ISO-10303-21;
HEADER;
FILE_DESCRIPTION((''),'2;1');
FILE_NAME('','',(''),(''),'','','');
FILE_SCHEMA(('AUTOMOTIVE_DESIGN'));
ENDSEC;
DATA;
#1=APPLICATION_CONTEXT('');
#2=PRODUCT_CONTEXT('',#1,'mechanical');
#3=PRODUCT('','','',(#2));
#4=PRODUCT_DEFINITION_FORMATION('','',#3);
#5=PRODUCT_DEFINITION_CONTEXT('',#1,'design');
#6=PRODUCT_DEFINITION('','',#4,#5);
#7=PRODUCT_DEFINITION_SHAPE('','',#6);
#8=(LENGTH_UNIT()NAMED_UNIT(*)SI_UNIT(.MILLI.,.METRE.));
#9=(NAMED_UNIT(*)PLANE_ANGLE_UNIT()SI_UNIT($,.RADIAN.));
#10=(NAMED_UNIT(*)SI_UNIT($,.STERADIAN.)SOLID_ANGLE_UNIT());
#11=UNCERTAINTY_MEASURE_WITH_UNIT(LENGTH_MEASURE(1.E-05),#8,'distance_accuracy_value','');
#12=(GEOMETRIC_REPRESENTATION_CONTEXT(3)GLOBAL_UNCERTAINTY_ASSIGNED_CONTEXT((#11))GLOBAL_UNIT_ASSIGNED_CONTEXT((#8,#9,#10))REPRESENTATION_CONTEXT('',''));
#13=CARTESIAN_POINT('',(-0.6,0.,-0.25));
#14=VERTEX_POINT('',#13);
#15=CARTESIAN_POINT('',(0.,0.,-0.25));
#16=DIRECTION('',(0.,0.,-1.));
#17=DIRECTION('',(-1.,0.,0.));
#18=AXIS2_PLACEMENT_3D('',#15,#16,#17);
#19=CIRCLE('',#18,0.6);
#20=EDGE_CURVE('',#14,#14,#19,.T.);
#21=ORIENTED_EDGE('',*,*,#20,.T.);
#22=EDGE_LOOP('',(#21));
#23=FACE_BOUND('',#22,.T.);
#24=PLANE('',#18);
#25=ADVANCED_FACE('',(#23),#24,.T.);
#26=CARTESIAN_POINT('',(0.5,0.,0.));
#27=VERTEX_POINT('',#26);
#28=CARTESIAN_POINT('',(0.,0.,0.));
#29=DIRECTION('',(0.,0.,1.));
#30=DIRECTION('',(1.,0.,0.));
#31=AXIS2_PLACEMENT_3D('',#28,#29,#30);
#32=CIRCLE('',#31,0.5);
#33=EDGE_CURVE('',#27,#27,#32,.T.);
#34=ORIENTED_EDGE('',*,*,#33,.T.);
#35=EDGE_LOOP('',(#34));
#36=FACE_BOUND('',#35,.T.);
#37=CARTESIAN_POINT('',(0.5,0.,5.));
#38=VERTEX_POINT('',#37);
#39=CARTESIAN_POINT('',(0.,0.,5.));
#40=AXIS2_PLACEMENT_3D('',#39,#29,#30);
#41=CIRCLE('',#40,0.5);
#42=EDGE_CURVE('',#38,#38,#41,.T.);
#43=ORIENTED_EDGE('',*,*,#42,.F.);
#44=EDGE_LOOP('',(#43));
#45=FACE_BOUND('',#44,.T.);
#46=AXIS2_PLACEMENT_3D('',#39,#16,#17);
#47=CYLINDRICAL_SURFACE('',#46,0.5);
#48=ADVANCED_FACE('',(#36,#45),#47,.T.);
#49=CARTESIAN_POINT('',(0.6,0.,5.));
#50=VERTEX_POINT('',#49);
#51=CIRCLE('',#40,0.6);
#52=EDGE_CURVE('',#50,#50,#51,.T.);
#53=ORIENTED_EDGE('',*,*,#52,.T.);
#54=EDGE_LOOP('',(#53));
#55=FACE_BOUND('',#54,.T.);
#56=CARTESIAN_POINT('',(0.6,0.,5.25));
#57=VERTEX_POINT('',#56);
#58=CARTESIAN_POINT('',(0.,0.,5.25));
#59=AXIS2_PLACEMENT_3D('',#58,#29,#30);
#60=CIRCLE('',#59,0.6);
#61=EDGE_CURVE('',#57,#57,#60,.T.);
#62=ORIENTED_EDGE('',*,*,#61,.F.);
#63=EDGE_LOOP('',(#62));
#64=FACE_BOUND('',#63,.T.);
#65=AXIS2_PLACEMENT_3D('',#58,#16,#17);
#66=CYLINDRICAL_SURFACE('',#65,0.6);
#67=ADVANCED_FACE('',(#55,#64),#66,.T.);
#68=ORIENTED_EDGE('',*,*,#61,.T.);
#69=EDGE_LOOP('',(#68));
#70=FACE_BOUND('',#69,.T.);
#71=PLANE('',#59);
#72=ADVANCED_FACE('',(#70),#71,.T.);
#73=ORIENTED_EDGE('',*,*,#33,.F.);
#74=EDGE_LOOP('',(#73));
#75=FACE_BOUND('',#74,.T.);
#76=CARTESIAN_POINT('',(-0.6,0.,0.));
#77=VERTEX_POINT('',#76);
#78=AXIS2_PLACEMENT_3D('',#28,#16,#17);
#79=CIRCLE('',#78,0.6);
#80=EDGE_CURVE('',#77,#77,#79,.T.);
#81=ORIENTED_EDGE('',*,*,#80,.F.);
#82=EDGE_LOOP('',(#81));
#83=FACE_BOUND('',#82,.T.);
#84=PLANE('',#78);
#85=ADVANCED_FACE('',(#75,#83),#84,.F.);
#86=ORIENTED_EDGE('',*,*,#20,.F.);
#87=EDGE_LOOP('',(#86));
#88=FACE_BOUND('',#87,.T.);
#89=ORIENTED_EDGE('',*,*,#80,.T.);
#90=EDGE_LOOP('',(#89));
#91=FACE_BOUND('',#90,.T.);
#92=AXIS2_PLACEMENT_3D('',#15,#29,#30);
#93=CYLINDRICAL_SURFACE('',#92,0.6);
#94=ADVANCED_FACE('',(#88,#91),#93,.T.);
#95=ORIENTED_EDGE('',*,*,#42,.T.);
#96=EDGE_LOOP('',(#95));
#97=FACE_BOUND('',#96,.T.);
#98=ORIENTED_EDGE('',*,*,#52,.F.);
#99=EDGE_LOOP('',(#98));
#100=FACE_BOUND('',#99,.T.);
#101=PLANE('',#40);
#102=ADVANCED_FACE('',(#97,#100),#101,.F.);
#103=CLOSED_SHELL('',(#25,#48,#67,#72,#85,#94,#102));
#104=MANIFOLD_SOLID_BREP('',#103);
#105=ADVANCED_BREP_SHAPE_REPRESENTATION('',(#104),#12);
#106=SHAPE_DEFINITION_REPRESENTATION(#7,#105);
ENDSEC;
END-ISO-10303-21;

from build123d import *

# Parameters (mm, degrees)
CROQUIS1_R              = 0.5
SALIENTE_EXTRUIR1_DEPTH = 5
CROQUIS2_R              = 0.6
SALIENTE_EXTRUIR2_DEPTH = 0.25
SALIENTE_EXTRUIR3_START = 0.25
CROQUIS3_R              = 0.6
SALIENTE_EXTRUIR3_DEPTH = 0.25


with BuildPart() as part:
    # Croquis1 → Saliente-Extruir1 (new body)
    with BuildSketch(Plane.XY):
        Circle(CROQUIS1_R)
    extrude(amount=SALIENTE_EXTRUIR1_DEPTH)

    # Croquis2 → Saliente-Extruir2 (add)
    with BuildSketch(Plane.XY.offset(5)):
        Circle(CROQUIS2_R)
    extrude(amount=SALIENTE_EXTRUIR2_DEPTH)

    # Croquis3 → Saliente-Extruir3 (add)
    with BuildSketch(Plane(origin=(0, 0, 0), x_dir=(-1, 0, 0), z_dir=(0, 0, -1)).offset(SALIENTE_EXTRUIR3_START)):
        Circle(CROQUIS3_R)
    extrude(amount=-SALIENTE_EXTRUIR3_DEPTH)


solid = part.part
